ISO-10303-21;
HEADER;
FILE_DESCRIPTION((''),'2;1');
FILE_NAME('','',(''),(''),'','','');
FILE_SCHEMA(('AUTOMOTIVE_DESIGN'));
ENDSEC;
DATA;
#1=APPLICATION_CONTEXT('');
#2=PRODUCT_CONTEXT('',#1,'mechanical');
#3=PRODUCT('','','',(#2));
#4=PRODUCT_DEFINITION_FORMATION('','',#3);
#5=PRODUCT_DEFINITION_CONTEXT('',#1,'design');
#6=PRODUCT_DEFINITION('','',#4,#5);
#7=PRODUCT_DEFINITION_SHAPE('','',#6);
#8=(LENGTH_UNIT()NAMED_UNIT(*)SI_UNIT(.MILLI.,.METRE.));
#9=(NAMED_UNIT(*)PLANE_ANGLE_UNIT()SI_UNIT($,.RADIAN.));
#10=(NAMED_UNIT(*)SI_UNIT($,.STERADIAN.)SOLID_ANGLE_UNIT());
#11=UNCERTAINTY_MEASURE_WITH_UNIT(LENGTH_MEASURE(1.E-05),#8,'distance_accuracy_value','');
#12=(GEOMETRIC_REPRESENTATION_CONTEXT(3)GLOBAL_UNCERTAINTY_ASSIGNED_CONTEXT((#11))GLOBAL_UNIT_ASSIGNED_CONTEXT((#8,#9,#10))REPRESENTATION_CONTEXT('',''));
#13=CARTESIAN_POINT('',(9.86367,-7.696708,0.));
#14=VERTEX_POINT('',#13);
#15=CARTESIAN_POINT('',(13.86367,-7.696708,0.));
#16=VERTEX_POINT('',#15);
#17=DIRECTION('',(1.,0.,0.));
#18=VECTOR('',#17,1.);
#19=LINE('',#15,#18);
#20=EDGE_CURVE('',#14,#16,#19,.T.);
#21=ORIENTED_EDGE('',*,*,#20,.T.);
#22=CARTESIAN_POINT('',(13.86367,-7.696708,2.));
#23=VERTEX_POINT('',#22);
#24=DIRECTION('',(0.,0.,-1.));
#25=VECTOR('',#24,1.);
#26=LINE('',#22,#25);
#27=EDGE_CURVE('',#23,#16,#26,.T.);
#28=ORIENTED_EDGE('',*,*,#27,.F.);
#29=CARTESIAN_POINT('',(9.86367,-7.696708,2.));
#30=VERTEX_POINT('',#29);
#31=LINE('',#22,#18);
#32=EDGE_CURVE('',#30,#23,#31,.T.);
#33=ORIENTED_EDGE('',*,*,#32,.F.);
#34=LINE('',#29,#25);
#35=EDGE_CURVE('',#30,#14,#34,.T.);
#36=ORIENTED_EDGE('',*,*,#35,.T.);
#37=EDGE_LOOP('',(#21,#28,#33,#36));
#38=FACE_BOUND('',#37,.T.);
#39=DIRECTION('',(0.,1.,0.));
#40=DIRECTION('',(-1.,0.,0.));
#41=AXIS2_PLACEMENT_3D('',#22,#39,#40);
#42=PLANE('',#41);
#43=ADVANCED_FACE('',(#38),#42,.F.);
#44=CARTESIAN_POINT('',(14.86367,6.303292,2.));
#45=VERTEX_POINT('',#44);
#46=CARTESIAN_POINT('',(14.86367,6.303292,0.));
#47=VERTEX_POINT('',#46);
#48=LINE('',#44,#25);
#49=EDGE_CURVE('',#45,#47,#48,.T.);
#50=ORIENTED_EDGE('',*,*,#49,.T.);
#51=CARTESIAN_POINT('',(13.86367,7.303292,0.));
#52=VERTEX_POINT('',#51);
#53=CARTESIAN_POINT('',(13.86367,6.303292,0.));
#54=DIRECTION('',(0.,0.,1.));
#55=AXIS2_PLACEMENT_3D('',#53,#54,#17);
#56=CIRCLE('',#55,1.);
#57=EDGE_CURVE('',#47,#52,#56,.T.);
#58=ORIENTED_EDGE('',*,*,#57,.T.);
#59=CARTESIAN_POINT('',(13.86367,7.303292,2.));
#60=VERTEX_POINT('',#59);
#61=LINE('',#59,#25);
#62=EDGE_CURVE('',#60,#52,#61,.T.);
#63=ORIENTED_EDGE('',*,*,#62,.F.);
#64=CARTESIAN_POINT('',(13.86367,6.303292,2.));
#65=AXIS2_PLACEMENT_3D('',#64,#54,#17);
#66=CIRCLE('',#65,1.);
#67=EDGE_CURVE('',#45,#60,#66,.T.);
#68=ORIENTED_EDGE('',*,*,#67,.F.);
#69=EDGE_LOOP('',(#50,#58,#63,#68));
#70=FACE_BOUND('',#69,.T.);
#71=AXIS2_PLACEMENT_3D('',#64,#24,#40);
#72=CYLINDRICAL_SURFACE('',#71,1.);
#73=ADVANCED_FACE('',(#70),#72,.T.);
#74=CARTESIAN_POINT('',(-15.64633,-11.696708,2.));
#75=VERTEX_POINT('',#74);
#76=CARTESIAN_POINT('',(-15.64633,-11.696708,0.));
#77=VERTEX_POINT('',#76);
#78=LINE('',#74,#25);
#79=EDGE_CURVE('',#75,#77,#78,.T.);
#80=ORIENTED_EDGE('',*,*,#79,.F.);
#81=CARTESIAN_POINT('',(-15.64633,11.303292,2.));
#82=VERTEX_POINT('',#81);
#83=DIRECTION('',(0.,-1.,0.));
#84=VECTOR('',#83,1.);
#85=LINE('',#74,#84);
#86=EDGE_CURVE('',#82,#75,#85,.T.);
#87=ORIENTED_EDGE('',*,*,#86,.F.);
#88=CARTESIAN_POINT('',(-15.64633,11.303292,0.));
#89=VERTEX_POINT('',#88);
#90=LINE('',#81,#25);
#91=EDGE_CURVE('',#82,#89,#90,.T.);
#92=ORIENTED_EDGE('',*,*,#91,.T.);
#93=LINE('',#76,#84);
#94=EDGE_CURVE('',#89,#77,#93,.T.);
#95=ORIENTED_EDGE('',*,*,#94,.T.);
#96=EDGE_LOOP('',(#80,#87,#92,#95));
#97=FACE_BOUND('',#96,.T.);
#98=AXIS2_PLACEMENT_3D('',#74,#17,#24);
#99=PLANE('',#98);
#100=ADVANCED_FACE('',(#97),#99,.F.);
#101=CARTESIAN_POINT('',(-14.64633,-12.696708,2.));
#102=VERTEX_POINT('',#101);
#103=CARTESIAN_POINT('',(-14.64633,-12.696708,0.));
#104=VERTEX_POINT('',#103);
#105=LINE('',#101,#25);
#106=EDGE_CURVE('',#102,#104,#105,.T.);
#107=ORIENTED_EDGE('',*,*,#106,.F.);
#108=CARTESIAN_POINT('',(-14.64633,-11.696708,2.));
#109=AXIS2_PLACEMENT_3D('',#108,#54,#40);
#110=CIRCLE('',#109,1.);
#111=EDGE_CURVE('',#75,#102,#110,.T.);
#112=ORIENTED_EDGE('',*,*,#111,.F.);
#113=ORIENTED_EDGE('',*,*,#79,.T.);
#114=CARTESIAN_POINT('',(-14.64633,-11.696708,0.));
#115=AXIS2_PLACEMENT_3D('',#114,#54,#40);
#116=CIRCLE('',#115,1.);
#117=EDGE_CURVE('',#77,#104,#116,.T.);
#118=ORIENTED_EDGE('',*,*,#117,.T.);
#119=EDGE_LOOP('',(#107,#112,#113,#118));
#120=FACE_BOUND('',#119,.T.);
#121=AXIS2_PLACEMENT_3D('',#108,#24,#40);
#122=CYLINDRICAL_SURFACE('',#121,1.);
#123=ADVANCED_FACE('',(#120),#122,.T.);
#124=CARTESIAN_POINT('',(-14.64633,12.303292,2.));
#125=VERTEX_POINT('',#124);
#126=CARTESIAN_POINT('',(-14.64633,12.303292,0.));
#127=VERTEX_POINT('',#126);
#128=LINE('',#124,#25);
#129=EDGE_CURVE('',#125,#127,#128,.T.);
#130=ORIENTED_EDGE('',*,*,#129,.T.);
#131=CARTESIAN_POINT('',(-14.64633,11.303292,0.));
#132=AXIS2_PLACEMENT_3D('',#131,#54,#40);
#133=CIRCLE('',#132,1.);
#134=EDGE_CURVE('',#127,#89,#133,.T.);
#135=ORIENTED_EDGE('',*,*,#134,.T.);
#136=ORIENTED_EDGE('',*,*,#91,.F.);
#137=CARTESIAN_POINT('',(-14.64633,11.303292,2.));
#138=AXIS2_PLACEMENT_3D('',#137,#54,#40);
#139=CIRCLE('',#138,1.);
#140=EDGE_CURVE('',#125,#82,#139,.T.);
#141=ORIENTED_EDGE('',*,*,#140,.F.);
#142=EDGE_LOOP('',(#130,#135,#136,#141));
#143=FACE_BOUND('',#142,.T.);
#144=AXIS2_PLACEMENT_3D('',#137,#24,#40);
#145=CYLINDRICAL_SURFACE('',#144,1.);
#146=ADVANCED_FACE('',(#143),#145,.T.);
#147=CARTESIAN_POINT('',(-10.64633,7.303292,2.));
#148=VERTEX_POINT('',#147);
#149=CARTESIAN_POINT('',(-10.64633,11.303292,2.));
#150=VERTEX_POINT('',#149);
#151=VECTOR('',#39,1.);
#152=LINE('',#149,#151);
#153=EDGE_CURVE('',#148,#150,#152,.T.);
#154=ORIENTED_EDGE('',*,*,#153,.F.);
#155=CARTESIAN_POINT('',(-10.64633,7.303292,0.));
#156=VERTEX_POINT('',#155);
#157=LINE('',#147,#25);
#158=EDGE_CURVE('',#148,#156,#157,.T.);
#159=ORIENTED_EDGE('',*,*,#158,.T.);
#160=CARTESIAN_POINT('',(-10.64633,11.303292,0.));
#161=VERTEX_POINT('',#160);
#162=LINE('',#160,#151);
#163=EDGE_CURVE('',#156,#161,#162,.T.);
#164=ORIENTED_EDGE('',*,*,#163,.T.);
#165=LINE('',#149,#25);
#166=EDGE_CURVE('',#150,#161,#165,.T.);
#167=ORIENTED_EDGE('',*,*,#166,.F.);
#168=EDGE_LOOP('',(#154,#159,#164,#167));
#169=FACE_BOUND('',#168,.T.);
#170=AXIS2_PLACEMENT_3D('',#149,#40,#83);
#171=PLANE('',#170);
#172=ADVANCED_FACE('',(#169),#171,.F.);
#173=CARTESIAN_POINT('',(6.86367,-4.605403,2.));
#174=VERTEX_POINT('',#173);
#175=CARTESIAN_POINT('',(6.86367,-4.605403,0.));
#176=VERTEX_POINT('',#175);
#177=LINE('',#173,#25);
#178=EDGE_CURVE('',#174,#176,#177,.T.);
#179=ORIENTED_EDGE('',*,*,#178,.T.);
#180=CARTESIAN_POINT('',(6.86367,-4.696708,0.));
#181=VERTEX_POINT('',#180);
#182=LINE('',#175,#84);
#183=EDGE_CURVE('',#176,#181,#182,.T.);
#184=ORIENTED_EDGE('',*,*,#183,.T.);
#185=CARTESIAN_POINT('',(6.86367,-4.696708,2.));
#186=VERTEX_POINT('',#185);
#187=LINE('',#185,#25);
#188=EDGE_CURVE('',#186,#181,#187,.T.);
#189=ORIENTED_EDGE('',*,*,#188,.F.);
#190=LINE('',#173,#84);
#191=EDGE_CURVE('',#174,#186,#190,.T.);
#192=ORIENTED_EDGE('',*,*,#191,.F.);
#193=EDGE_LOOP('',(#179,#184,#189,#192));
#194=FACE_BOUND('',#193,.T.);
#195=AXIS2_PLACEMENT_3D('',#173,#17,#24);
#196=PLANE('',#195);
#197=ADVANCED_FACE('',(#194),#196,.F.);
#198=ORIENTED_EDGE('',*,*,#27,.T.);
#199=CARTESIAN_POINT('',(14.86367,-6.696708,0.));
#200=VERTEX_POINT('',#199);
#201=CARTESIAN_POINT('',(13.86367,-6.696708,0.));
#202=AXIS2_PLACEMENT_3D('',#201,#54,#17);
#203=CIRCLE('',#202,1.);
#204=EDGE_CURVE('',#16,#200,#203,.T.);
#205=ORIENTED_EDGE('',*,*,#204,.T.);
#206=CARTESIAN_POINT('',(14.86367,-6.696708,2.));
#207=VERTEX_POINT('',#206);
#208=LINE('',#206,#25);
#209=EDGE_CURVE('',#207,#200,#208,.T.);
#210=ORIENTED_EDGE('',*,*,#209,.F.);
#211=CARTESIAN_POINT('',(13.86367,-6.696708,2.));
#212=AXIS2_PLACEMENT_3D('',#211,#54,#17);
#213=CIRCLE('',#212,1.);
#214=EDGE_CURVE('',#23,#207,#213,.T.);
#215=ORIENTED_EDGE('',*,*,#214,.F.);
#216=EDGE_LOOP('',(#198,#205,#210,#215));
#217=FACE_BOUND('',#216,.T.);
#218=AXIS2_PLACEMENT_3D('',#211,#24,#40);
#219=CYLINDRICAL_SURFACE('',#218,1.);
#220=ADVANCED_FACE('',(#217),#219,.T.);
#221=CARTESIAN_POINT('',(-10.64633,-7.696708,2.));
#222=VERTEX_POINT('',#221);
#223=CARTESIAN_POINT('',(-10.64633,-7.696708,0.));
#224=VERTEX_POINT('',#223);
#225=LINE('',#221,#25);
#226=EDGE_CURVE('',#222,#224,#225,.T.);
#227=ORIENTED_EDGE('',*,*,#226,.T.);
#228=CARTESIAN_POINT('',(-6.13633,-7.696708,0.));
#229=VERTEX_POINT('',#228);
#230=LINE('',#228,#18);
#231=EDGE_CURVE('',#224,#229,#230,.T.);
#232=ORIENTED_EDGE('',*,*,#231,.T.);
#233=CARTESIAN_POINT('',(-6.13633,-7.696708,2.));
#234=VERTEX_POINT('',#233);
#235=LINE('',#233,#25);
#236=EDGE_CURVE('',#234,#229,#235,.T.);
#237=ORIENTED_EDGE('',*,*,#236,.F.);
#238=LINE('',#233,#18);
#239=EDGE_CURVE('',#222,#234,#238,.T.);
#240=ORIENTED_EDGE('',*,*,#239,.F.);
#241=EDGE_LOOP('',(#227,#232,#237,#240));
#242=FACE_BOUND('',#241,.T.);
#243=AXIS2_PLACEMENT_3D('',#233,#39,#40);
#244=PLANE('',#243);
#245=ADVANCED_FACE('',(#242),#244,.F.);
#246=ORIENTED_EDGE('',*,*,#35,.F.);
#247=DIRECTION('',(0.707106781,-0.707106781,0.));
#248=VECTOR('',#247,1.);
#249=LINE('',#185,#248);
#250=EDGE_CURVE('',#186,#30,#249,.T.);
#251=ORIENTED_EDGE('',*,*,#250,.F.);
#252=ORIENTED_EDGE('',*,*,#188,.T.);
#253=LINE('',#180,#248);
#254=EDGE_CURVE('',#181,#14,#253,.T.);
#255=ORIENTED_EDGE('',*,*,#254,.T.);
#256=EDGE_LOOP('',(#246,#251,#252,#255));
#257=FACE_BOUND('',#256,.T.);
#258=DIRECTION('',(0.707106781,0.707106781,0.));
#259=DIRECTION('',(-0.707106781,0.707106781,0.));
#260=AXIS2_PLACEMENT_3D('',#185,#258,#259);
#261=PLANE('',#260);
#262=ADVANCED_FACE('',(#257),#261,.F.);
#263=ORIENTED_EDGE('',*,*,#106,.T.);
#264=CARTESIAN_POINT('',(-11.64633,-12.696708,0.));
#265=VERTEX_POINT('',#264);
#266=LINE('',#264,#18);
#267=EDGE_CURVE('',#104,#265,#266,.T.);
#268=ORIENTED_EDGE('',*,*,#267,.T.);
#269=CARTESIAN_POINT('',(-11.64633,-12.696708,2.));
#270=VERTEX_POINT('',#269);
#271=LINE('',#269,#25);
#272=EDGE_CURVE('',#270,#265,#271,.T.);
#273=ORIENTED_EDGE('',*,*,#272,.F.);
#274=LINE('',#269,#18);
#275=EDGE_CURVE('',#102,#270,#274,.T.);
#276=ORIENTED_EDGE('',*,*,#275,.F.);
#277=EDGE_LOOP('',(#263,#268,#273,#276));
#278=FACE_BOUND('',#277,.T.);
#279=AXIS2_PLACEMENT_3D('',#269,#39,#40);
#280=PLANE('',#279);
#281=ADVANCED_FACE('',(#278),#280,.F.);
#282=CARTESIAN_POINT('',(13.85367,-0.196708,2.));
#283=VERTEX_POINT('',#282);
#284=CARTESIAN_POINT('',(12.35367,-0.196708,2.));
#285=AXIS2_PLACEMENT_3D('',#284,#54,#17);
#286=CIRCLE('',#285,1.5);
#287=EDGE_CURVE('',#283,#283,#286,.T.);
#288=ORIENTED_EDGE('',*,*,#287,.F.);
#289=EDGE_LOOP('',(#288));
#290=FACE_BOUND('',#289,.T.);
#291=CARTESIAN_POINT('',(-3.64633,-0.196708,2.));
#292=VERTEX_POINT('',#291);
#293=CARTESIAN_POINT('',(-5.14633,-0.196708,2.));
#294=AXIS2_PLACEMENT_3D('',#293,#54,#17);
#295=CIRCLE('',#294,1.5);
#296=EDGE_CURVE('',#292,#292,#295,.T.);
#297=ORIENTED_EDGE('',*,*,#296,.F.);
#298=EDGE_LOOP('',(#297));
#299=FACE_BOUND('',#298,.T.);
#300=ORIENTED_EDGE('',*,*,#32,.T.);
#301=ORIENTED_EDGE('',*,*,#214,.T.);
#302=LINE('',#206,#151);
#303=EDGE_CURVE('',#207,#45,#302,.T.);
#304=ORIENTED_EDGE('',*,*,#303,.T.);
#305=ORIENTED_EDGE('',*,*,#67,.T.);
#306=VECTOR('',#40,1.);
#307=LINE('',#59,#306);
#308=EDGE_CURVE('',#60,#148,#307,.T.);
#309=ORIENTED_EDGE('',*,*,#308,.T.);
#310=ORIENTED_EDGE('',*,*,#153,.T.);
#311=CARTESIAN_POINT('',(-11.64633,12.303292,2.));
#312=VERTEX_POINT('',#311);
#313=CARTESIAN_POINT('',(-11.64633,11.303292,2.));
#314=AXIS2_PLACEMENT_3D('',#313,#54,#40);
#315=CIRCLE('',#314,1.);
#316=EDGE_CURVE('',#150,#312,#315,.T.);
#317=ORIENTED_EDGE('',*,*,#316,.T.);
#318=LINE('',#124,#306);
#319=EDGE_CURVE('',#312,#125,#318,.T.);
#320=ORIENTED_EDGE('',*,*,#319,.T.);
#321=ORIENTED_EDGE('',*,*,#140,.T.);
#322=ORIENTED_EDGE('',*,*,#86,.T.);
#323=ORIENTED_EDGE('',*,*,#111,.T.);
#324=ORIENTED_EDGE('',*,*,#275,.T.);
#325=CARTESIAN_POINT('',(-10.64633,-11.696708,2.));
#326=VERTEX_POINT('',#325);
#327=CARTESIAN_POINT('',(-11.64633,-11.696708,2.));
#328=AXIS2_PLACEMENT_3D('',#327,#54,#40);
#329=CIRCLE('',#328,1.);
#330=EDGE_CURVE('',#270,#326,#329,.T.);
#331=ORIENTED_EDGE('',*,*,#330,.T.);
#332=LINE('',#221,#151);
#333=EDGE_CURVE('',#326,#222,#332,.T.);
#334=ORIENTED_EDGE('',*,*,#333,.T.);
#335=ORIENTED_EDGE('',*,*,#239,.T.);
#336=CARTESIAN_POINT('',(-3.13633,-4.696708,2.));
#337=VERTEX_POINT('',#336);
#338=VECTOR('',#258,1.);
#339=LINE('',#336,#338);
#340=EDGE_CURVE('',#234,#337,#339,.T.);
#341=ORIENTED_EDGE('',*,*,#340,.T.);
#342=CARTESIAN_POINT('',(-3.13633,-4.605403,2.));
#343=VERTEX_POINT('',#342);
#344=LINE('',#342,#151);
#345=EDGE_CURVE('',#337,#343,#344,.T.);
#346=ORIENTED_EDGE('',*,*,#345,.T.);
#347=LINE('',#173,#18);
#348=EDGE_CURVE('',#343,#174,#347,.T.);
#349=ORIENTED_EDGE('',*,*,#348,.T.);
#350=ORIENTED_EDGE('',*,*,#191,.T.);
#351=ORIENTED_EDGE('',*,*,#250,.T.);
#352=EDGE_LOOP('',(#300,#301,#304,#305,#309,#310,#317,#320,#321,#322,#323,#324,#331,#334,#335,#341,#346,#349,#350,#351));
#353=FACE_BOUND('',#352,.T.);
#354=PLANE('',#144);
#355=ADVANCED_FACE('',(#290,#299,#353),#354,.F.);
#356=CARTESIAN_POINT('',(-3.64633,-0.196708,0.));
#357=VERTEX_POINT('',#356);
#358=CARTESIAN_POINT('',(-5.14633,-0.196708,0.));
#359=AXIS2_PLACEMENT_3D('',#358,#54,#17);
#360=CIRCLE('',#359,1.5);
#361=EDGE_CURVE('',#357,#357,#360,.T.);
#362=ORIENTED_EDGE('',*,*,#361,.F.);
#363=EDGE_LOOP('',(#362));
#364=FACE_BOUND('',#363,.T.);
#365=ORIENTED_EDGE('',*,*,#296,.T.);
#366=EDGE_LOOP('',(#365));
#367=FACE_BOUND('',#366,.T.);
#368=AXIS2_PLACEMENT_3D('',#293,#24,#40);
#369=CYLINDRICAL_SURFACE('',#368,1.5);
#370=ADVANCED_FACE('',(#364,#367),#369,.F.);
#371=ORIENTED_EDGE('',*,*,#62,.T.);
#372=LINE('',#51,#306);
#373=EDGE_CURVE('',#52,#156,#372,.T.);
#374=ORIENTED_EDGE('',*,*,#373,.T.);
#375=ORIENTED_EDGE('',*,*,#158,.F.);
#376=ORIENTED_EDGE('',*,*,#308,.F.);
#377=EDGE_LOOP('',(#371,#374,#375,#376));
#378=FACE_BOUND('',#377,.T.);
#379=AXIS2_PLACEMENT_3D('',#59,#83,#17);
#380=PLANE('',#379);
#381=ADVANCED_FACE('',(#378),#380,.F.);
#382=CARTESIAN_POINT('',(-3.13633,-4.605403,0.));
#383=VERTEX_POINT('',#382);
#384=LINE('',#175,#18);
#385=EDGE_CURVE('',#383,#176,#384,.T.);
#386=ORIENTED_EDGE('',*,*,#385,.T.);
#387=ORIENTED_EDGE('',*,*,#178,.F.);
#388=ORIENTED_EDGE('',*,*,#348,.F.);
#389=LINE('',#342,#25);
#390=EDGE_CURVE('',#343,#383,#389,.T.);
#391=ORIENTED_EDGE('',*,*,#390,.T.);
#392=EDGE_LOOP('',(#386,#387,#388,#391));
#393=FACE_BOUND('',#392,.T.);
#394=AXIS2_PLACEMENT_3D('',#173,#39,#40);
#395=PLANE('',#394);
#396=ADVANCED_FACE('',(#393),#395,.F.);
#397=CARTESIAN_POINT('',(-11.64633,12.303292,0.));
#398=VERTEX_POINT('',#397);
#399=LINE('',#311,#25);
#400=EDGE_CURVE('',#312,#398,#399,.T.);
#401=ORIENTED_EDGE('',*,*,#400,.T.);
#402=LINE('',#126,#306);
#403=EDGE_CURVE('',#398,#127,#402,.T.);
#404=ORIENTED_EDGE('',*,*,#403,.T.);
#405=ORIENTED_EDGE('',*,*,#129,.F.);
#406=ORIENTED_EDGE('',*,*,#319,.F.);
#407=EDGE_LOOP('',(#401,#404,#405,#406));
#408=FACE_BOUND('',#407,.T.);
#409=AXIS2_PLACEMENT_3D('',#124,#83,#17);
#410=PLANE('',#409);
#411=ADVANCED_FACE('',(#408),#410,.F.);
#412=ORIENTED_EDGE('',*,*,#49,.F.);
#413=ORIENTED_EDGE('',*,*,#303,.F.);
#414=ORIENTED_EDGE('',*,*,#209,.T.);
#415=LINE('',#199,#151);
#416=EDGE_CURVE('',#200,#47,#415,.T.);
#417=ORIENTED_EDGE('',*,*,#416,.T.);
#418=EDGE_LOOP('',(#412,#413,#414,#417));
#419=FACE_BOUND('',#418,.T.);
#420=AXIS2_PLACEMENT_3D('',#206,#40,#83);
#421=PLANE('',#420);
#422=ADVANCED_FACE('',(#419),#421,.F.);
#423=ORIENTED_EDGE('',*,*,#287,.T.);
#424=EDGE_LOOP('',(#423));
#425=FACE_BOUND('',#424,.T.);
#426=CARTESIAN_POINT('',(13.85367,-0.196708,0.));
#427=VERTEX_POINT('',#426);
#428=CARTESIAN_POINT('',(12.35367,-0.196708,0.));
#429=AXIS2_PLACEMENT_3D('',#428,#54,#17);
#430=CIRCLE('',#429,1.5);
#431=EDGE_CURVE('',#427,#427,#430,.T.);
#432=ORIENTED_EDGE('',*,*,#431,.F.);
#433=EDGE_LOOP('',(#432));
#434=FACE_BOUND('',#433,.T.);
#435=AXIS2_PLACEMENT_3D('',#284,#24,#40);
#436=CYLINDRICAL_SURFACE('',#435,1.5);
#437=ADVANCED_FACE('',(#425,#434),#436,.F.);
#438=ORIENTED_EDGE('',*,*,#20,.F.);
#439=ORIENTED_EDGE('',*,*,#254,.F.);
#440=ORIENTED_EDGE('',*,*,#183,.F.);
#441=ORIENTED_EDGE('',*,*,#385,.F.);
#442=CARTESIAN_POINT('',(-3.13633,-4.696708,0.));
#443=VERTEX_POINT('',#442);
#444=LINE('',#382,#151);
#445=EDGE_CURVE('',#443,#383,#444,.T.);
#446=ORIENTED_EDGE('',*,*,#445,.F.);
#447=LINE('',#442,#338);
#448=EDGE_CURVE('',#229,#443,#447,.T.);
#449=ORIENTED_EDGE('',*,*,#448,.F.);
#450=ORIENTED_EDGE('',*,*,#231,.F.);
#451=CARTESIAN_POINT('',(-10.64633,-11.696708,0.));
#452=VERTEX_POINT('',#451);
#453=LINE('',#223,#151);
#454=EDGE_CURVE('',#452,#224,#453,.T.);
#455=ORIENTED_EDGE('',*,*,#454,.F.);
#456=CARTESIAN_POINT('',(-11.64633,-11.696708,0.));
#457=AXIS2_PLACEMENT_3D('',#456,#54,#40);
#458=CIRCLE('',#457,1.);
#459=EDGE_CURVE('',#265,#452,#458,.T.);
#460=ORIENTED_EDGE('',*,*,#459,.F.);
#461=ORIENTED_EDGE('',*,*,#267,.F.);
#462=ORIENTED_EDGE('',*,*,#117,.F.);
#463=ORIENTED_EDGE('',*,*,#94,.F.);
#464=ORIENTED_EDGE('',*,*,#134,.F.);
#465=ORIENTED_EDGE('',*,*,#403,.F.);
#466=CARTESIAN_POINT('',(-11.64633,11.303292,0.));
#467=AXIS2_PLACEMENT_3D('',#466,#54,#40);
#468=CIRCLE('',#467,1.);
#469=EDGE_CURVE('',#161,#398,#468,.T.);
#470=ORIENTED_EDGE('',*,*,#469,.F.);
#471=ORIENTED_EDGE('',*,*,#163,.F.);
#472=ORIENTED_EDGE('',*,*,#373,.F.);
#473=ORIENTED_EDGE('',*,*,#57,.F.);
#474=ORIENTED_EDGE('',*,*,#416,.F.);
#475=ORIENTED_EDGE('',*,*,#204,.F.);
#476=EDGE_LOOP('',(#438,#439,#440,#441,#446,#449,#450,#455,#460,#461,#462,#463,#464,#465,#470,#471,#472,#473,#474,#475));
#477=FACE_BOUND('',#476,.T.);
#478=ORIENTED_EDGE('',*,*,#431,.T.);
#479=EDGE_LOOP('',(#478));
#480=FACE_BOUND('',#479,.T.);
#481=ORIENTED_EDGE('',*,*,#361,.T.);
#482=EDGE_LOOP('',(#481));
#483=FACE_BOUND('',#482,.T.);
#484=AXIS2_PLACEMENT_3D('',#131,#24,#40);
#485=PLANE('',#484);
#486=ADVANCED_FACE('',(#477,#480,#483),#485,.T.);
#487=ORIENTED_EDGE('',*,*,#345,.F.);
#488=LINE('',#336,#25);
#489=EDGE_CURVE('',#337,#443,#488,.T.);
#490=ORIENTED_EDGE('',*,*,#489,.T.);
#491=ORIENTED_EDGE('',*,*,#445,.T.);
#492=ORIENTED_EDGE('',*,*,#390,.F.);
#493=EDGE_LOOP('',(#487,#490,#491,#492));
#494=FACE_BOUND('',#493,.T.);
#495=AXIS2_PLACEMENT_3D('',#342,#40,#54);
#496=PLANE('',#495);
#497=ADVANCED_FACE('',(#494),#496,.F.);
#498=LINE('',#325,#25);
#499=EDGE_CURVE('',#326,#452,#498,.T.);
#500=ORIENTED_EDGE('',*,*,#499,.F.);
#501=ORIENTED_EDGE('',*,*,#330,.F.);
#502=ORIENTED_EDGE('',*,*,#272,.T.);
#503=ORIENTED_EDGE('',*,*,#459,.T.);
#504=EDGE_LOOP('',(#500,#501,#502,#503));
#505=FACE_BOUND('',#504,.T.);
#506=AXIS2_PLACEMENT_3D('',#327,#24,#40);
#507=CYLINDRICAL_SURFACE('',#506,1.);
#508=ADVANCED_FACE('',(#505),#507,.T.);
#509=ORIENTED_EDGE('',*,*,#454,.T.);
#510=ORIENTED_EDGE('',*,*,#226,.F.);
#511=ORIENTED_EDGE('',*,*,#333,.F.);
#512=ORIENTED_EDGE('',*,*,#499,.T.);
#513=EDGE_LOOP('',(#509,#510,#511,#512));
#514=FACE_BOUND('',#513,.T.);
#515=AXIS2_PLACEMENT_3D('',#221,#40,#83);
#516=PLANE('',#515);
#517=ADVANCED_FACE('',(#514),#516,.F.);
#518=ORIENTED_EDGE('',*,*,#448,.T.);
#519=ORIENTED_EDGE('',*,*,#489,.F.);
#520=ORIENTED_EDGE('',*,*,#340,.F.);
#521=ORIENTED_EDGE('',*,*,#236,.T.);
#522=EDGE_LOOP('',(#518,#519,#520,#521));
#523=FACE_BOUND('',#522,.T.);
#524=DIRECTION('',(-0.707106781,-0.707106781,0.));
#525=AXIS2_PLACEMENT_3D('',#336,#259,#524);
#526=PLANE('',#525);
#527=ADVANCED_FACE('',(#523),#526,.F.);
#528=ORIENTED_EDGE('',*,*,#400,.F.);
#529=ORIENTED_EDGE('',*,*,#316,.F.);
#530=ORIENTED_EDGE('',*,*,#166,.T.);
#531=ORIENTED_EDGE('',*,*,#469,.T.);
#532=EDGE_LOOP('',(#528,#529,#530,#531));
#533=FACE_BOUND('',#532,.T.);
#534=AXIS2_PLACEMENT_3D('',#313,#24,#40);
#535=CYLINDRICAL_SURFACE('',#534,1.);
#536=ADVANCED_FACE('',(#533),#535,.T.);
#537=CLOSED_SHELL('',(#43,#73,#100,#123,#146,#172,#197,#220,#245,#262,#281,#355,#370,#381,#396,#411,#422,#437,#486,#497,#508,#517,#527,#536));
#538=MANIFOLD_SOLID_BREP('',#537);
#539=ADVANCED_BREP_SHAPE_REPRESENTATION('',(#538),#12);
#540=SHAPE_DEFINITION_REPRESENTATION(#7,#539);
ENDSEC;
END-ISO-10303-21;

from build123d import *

# Parameters (mm, degrees)
SKETCH1_R           = 1.5
BOSS_EXTRUDE1_DEPTH = 2


with BuildPart() as part:
    # Sketch1 → Boss-Extrude1 (new body)
    with BuildSketch(Plane.XY):
        with BuildLine():
            Line((-10.646329578, -7.696708369), (-10.646329578, -11.696708369))
            ThreePointArc((-10.646329578, -11.696708369), (-10.939222796, -12.40381515), (-11.646329578, -12.696708369))
            Line((-11.646329578, -12.696708369), (-14.646329578, -12.696708369))
            ThreePointArc((-14.646329578, -12.696708369), (-15.353436359, -12.40381515), (-15.646329578, -11.696708369))
            Line((-15.646329578, -11.696708369), (-15.646329578, 11.303291631))
            ThreePointArc((-15.646329578, 11.303291631), (-15.353436359, 12.010398412), (-14.646329578, 12.303291631))
            Line((-14.646329578, 12.303291631), (-11.646329578, 12.303291631))
            ThreePointArc((-11.646329578, 12.303291631), (-10.939222796, 12.010398412), (-10.646329578, 11.303291631))
            Line((-10.646329578, 11.303291631), (-10.646329578, 7.303291631))
            Line((-10.646329578, 7.303291631), (13.863670422, 7.303291631))
            ThreePointArc((13.863670422, 7.303291631), (14.570777204, 7.010398412), (14.863670422, 6.303291631))
            Line((14.863670422, 6.303291631), (14.863670422, -6.696708369))
            ThreePointArc((14.863670422, -6.696708369), (14.570777204, -7.40381515), (13.863670422, -7.696708369))
            Line((13.863670422, -7.696708369), (9.863670422, -7.696708369))
            Line((9.863670422, -7.696708369), (6.863670422, -4.696708369))
            Line((6.863670422, -4.696708369), (6.863670422, -4.605403467))
            Line((6.863670422, -4.605403467), (-3.136329578, -4.605403467))
            Line((-3.136329578, -4.605403467), (-3.136329578, -4.696708369))
            Line((-3.136329578, -4.696708369), (-6.136329578, -7.696708369))
            Line((-6.136329578, -7.696708369), (-10.646329578, -7.696708369))
        make_face()
        with Locations((12.353670422, -0.196708369)):
            Circle(SKETCH1_R, mode=Mode.SUBTRACT)
        with Locations((-5.146329578, -0.196708369)):
            Circle(SKETCH1_R, mode=Mode.SUBTRACT)
    extrude(amount=BOSS_EXTRUDE1_DEPTH)


solid = part.part
